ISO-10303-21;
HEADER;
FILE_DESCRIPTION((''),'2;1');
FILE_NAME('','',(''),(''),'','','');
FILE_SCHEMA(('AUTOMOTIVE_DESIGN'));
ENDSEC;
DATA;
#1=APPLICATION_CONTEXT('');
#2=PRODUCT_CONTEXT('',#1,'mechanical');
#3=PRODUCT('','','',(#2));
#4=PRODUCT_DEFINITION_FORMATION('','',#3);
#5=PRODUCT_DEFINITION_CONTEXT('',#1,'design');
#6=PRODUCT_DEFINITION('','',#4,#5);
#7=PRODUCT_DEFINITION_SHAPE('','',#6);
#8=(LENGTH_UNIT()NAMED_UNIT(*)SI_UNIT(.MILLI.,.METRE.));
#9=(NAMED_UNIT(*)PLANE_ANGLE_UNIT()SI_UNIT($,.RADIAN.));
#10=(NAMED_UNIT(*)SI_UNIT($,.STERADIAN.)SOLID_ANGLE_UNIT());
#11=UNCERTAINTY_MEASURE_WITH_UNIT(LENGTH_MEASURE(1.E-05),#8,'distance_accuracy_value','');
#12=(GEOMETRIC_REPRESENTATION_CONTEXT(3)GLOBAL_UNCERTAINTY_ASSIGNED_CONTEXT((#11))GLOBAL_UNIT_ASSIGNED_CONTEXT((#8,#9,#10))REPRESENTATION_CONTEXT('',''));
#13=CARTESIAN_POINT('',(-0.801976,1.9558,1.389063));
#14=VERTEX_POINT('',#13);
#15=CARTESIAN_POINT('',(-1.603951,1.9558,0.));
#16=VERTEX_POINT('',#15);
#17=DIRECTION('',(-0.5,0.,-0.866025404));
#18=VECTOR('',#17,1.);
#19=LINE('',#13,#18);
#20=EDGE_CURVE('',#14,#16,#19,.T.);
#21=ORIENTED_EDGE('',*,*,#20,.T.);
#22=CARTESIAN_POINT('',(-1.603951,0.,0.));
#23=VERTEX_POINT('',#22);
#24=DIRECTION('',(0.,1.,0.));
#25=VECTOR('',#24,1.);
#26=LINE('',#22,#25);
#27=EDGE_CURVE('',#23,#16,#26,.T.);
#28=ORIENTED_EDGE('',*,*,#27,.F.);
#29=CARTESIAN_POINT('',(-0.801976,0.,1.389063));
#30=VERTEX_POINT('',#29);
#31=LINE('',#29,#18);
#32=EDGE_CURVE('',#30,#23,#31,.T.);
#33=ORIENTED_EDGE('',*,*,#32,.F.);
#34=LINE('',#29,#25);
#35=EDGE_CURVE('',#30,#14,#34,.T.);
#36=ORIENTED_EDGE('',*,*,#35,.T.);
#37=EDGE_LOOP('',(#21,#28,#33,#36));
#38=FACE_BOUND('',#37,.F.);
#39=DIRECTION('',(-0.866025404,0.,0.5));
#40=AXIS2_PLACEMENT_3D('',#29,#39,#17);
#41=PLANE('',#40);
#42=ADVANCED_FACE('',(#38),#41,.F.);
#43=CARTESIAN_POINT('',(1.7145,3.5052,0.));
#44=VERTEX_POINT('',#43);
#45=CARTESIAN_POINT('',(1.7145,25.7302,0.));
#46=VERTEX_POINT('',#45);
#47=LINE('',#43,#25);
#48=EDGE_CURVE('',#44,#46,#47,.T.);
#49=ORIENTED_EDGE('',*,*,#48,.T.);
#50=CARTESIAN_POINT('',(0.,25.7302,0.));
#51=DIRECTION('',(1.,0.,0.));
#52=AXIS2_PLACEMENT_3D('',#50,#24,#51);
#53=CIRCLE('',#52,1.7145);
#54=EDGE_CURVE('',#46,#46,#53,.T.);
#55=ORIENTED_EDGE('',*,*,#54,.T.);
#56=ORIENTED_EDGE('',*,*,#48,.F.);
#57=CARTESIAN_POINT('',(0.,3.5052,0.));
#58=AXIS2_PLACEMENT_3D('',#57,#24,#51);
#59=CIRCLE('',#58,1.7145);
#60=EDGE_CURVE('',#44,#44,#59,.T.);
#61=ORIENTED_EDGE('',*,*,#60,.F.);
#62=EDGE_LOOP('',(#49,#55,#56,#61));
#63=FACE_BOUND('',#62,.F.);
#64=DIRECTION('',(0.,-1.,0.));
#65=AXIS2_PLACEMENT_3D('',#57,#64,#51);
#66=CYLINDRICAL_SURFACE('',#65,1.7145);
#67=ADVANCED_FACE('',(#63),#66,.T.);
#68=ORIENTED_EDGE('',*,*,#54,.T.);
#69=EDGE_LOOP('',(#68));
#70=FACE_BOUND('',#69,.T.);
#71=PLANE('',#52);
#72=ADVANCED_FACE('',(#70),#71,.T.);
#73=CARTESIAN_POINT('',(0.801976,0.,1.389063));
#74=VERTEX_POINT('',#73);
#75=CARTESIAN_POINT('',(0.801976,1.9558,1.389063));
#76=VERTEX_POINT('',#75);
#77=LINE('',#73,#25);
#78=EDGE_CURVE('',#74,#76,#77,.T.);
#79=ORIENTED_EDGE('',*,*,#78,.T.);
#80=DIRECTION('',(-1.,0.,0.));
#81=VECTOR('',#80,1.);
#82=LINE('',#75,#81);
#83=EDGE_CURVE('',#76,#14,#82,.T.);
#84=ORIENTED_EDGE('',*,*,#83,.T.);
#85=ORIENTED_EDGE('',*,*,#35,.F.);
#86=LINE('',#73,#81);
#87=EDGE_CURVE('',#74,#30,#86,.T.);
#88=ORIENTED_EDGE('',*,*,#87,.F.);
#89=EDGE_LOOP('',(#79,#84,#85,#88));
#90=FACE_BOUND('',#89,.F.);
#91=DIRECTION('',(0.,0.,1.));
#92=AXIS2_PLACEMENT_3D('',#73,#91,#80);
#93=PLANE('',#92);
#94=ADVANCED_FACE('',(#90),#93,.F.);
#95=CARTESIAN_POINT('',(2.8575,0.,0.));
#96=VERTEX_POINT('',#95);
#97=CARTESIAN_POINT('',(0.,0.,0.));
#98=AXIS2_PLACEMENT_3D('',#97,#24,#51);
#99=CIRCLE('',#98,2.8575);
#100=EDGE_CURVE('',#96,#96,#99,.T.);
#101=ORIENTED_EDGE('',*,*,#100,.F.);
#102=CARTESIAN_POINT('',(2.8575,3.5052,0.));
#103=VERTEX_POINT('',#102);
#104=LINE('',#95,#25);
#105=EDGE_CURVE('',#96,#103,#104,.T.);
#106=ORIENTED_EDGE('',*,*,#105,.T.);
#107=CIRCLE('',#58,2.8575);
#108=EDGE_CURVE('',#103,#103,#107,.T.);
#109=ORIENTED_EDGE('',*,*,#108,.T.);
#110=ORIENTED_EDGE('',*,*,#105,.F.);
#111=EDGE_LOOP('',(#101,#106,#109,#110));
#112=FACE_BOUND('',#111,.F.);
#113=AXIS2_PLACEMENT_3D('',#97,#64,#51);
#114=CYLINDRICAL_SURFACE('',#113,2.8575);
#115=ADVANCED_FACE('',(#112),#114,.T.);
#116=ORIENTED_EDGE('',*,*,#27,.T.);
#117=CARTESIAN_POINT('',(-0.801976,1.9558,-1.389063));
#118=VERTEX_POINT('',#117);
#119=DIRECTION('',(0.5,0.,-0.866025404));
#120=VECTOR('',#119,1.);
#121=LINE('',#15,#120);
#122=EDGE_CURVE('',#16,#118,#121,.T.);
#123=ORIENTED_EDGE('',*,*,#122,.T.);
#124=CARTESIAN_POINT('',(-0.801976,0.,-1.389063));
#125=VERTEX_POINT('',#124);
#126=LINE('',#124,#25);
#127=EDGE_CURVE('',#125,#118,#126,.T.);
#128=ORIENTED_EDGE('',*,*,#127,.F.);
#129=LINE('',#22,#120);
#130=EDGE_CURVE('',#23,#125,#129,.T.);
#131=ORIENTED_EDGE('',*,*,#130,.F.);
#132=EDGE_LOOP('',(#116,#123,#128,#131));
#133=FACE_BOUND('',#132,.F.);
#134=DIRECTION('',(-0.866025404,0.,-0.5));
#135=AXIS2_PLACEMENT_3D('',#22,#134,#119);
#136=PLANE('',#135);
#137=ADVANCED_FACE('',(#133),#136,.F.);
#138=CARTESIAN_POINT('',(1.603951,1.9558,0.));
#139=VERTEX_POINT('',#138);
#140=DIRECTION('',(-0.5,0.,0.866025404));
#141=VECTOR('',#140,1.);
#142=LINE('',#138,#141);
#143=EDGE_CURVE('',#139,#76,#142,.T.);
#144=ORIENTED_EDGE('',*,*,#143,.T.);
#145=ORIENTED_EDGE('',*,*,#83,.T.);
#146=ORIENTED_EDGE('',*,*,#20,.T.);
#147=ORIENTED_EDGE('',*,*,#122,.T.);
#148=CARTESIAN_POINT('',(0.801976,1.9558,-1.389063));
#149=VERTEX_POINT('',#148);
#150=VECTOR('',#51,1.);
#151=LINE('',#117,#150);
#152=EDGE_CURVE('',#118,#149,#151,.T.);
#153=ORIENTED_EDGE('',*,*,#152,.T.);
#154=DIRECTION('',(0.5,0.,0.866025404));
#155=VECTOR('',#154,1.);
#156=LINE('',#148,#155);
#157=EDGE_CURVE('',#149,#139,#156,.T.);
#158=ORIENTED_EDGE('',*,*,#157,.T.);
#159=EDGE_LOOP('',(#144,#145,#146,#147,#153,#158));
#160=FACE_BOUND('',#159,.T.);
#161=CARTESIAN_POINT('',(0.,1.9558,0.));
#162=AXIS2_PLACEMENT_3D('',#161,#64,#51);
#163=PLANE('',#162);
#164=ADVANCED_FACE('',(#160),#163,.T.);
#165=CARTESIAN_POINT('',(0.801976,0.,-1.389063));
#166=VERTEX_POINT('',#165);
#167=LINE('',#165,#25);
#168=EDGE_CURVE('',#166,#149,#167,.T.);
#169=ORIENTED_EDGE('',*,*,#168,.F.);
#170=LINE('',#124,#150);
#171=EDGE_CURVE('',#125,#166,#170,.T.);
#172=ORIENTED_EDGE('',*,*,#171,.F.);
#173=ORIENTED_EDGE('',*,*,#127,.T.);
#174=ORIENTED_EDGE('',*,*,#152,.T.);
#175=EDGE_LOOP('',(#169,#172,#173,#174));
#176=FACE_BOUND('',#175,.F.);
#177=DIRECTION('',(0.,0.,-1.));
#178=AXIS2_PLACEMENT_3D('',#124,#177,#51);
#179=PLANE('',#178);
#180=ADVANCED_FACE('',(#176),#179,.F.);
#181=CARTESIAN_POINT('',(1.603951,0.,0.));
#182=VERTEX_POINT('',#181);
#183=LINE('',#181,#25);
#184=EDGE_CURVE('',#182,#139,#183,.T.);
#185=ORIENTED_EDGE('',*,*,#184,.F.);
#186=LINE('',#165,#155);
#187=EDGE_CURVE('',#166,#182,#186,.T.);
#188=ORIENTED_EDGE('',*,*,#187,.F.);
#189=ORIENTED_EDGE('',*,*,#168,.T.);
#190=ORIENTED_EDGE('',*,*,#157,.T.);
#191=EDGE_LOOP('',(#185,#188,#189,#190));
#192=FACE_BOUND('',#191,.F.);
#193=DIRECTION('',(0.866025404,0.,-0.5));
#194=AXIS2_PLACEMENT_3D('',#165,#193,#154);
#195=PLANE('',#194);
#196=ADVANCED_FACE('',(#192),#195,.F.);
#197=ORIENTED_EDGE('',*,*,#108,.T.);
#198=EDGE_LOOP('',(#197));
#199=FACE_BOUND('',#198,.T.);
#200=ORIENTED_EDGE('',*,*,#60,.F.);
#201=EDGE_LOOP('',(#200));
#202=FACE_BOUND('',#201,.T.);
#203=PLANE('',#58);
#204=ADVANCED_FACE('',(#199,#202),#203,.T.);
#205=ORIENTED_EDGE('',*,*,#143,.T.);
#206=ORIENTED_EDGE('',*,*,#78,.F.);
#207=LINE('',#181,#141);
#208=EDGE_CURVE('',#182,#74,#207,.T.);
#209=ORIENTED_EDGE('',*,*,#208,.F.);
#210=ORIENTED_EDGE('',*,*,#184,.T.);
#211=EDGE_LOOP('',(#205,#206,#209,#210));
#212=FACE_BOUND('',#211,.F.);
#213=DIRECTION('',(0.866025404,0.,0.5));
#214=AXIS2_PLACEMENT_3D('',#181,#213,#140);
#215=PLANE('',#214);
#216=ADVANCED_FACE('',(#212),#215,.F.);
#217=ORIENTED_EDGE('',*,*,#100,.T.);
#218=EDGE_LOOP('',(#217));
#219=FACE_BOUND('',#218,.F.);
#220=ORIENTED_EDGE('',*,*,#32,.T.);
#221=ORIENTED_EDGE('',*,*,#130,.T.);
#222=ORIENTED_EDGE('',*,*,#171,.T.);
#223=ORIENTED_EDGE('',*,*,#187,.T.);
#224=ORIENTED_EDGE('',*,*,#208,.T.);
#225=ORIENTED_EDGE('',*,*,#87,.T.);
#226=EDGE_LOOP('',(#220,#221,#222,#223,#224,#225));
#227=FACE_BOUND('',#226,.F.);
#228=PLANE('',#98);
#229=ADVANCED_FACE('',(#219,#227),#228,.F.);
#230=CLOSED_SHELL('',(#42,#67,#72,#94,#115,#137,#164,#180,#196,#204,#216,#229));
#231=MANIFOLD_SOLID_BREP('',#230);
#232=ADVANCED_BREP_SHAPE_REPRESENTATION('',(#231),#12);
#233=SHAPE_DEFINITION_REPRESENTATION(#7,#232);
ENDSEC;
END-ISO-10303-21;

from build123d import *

# Parameters (mm, degrees)
SKETCH1_R           = 2.8575
BOSS_EXTRUDE1_DEPTH = 3.5052
CUT_EXTRUDE1_DEPTH  = 1.9558
SKETCH3_R           = 1.7145
BOSS_EXTRUDE2_DEPTH = 22.225


with BuildPart() as part:
    # Sketch1 → Boss-Extrude1 (new body)
    with BuildSketch(Plane(origin=(0, 0, 0), x_dir=(1, 0, 0), z_dir=(0, 1, 0))):
        Circle(SKETCH1_R)
    extrude(amount=BOSS_EXTRUDE1_DEPTH)

    # Sketch2 → Cut-Extrude1 (cut)
    with BuildSketch(Plane.XZ):
        Polygon((1.603951217, 0), (0.801975608, 1.3890625), (-0.801975608, 1.3890625), (-1.603951217, 0), (-0.801975608, -1.3890625), (0.801975608, -1.3890625), align=None)
    extrude(amount=-CUT_EXTRUDE1_DEPTH, mode=Mode.SUBTRACT)

    # Sketch3 → Boss-Extrude2 (add)
    with BuildSketch(Plane(origin=(0, 3.5052, 0), x_dir=(1, 0, 0), z_dir=(0, 1, 0))):
        Circle(SKETCH3_R)
    extrude(amount=BOSS_EXTRUDE2_DEPTH)


solid = part.part
